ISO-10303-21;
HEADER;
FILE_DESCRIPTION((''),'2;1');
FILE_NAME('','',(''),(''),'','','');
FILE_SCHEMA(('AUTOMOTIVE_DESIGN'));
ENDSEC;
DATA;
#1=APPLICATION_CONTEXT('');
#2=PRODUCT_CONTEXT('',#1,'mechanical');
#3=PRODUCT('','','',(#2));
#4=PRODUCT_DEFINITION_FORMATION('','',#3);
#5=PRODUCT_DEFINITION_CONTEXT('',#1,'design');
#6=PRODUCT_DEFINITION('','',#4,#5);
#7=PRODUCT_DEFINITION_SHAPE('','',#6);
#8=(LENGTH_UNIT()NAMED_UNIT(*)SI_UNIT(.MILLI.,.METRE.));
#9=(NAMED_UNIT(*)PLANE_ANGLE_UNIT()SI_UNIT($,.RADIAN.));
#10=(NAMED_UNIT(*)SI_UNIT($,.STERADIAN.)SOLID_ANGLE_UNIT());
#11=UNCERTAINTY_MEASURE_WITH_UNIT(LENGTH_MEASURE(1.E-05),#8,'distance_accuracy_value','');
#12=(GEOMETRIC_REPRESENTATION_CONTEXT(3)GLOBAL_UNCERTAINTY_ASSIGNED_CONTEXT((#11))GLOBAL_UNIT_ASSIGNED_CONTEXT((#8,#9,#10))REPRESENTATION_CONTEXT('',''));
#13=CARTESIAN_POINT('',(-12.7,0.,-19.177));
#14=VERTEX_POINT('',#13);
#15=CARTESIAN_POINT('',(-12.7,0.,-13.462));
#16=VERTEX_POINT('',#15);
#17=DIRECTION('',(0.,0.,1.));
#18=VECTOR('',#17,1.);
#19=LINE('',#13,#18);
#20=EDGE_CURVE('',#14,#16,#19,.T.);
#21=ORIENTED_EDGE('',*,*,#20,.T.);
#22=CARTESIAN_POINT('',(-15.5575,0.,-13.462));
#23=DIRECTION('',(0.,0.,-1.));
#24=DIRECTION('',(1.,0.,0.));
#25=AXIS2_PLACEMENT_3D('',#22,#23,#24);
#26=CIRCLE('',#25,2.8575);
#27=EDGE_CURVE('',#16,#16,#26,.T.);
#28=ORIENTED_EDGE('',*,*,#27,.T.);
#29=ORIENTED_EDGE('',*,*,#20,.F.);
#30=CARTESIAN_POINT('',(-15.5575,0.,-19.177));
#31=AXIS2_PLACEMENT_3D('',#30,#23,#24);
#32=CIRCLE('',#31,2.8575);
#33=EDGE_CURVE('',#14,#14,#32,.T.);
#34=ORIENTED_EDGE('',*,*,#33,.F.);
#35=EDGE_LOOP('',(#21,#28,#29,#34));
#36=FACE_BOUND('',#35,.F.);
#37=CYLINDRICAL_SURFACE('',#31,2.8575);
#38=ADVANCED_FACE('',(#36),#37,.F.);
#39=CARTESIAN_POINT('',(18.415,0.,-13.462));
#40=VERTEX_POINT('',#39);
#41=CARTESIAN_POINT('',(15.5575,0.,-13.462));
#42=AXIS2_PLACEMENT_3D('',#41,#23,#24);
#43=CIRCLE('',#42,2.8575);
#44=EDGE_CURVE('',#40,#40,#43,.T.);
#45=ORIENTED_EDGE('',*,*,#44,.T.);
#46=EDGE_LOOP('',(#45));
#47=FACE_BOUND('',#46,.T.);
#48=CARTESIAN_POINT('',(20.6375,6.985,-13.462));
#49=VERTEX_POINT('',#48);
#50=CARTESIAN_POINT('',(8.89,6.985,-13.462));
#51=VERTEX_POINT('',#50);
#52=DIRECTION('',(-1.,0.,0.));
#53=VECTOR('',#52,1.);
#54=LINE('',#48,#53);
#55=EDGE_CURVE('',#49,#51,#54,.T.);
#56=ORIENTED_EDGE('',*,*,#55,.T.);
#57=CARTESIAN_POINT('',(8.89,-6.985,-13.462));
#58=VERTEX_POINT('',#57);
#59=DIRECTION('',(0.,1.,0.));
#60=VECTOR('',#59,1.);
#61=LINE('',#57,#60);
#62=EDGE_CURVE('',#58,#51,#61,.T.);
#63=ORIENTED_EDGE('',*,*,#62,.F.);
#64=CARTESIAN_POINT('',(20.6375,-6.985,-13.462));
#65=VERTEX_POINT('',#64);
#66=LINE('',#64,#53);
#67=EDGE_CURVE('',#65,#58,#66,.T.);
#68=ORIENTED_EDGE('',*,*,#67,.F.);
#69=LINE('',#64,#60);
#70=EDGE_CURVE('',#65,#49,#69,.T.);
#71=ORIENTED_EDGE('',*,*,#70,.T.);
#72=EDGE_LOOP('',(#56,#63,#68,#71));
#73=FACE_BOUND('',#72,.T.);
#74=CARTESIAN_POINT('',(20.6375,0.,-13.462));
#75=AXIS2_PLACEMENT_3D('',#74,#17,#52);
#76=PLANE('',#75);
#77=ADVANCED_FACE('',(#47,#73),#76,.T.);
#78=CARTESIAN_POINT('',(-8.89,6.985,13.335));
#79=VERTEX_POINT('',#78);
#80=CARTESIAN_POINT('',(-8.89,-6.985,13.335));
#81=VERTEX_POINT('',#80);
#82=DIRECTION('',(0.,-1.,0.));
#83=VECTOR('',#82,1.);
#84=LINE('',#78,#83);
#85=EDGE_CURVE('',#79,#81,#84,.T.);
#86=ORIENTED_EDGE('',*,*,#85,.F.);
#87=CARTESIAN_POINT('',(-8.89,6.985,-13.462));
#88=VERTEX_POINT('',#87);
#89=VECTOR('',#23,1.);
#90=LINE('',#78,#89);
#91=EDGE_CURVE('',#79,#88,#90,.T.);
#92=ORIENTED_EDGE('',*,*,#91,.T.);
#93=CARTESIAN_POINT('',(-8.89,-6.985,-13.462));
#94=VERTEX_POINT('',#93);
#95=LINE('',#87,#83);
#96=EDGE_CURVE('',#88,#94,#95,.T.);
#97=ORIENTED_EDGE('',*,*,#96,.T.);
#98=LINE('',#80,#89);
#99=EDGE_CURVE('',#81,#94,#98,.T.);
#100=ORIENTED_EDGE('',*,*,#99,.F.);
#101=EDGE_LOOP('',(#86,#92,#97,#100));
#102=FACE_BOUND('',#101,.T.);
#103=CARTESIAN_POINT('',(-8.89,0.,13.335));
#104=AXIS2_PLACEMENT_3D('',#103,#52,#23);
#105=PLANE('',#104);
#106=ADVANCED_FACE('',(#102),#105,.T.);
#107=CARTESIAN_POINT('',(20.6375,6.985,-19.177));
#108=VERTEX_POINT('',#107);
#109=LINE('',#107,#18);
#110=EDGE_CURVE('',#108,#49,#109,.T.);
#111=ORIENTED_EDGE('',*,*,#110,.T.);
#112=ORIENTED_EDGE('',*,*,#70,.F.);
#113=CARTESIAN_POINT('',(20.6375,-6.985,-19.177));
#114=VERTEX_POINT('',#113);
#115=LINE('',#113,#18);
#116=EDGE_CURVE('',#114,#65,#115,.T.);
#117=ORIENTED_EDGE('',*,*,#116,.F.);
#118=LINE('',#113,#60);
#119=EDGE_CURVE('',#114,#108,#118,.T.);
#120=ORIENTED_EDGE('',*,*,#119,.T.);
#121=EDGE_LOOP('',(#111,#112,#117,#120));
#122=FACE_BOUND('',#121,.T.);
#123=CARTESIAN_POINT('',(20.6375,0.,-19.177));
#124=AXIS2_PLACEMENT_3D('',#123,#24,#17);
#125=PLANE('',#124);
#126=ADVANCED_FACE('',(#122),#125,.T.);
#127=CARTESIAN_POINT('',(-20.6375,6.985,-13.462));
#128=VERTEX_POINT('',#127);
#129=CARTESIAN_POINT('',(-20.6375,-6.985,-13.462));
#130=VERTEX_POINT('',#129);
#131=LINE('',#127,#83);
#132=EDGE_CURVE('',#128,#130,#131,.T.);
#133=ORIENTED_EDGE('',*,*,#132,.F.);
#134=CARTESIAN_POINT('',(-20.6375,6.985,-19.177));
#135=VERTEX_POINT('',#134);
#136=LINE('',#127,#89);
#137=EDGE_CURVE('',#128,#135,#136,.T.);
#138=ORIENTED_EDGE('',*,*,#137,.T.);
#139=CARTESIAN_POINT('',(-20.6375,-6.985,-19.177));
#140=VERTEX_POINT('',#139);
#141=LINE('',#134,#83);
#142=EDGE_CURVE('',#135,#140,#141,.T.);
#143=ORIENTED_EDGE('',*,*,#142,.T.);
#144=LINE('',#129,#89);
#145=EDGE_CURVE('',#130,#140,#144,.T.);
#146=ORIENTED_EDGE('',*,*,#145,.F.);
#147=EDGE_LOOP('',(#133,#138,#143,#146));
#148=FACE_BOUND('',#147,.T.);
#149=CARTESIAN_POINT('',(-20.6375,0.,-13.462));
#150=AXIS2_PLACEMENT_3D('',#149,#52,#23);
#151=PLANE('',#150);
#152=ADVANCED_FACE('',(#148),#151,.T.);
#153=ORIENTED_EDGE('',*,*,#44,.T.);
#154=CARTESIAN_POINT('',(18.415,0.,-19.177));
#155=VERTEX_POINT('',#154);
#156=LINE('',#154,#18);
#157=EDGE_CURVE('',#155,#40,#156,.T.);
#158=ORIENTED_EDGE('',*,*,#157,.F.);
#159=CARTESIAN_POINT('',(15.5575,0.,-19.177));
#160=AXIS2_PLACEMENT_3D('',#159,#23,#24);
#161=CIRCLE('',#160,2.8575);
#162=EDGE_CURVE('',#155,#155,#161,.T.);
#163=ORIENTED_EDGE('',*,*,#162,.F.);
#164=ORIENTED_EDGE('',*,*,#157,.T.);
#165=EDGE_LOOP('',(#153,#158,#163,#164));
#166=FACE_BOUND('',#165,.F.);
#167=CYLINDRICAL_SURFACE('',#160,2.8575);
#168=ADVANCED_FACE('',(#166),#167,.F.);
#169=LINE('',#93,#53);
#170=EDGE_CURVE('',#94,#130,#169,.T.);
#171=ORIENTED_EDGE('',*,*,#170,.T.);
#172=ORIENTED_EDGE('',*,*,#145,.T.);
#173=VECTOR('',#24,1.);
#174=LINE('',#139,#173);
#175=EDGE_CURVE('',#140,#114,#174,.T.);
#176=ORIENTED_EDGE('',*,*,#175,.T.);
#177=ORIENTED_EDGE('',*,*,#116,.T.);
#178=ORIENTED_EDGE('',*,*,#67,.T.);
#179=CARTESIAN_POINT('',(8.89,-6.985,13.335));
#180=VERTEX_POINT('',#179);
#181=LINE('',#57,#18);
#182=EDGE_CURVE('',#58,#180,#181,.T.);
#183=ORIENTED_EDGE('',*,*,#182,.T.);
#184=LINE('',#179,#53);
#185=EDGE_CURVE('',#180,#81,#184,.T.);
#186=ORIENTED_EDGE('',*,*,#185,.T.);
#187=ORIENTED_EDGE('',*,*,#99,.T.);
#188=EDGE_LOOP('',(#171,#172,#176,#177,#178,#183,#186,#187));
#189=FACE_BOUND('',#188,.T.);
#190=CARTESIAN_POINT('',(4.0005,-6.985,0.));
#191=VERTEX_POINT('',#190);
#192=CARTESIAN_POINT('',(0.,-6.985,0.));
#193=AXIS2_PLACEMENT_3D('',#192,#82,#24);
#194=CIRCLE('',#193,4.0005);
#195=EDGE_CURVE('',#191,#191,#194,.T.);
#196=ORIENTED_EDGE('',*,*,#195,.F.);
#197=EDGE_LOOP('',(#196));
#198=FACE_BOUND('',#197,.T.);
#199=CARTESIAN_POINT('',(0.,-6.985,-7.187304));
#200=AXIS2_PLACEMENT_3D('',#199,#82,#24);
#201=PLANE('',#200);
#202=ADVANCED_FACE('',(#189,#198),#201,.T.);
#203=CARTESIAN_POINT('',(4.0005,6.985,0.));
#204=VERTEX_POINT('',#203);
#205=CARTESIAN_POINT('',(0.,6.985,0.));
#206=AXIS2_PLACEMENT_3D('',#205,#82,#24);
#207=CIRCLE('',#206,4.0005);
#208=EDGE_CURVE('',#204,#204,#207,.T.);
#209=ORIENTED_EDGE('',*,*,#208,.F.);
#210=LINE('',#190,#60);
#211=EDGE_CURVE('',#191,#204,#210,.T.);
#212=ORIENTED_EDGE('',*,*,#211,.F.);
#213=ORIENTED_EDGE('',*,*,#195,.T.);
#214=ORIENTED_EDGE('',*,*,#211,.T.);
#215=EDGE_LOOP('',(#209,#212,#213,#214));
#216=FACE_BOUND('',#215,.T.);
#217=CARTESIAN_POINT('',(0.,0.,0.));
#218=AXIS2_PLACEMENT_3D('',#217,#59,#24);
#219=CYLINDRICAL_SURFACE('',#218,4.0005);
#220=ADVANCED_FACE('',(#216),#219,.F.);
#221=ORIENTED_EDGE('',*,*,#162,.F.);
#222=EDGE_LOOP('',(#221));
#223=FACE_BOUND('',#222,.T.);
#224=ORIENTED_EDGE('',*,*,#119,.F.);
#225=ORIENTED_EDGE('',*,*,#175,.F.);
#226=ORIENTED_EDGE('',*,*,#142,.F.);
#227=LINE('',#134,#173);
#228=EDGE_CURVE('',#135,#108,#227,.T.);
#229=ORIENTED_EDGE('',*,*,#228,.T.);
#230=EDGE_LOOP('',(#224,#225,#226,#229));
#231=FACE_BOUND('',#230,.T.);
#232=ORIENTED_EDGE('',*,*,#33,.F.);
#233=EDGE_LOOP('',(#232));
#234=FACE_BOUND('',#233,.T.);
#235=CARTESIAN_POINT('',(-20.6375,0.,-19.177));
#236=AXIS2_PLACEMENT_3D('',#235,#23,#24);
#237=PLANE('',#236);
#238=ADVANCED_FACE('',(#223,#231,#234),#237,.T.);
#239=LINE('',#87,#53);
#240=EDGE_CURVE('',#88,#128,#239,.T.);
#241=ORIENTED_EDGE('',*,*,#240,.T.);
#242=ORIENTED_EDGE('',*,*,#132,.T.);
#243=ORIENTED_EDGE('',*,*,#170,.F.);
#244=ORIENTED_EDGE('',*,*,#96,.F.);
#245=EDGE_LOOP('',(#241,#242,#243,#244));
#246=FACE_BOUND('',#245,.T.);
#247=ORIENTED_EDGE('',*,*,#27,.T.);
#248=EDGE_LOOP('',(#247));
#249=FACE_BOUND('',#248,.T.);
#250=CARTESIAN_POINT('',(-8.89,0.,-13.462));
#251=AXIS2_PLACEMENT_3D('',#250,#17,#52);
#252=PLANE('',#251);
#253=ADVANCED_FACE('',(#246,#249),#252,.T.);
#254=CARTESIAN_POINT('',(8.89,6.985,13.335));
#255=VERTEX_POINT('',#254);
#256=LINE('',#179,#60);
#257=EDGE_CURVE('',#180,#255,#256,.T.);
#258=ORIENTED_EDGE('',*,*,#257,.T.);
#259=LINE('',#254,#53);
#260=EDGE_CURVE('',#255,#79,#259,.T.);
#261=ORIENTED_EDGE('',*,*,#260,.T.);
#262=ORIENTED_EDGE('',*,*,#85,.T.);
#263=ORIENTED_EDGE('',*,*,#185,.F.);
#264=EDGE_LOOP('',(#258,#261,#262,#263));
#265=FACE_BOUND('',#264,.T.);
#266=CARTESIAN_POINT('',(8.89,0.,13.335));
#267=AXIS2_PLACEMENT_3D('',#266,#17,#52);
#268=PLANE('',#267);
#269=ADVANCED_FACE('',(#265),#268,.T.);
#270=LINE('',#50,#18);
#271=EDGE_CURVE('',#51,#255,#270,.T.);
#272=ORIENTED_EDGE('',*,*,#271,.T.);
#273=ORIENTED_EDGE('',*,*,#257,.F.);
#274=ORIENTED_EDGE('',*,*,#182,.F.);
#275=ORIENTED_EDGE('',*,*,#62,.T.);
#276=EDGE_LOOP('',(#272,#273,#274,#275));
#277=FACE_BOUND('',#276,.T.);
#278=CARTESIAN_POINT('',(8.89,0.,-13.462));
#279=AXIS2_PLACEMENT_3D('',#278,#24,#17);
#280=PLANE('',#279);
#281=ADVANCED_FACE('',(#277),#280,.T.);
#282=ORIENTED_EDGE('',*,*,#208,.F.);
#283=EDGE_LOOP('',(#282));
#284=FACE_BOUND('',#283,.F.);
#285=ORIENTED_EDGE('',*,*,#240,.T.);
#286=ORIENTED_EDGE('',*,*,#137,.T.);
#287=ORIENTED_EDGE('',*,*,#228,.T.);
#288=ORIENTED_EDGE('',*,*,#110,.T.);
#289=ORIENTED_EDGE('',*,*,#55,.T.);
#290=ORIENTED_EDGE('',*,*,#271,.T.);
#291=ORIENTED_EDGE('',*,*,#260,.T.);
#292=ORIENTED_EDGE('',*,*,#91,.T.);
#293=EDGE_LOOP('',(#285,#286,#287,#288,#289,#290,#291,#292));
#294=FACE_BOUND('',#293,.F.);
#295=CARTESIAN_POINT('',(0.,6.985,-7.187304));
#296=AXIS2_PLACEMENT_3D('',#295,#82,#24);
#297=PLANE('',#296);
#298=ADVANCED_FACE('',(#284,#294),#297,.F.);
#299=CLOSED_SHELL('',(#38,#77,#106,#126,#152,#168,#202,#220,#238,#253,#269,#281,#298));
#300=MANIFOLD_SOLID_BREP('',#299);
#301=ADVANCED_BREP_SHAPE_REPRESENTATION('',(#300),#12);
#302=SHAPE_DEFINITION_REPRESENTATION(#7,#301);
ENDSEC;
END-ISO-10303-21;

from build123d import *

# Parameters (mm, degrees)
F0_R     = 4.0005
F1_DEPTH = 6.985
F2_R     = 2.8575
F3_DEPTH = 5.715


with BuildPart() as f1:
    # F0 (on Front) → F1 (new body, symmetric)
    with BuildSketch(Plane.XZ):
        Polygon((8.89, 13.335), (-8.89, 13.335), (-8.89, -13.462), (-20.6375, -13.462), (-20.6375, -19.177), (20.6375, -19.177), (20.6375, -13.462), (8.89, -13.462), align=None)
        Circle(F0_R, mode=Mode.SUBTRACT)
    extrude(amount=F1_DEPTH, both=True)

    # F2 (on face) → F3 (cut, through all)
    with BuildSketch(Plane(origin=(0, 0, -19.177), x_dir=(1, 0, 0), z_dir=(0, 0, -1))):
        with Locations((-15.5575, 0)):
            Circle(F2_R)
        with Locations((15.5575, 0)):
            Circle(F2_R)
    extrude(amount=-F3_DEPTH, mode=Mode.SUBTRACT)


solid = f1.part
